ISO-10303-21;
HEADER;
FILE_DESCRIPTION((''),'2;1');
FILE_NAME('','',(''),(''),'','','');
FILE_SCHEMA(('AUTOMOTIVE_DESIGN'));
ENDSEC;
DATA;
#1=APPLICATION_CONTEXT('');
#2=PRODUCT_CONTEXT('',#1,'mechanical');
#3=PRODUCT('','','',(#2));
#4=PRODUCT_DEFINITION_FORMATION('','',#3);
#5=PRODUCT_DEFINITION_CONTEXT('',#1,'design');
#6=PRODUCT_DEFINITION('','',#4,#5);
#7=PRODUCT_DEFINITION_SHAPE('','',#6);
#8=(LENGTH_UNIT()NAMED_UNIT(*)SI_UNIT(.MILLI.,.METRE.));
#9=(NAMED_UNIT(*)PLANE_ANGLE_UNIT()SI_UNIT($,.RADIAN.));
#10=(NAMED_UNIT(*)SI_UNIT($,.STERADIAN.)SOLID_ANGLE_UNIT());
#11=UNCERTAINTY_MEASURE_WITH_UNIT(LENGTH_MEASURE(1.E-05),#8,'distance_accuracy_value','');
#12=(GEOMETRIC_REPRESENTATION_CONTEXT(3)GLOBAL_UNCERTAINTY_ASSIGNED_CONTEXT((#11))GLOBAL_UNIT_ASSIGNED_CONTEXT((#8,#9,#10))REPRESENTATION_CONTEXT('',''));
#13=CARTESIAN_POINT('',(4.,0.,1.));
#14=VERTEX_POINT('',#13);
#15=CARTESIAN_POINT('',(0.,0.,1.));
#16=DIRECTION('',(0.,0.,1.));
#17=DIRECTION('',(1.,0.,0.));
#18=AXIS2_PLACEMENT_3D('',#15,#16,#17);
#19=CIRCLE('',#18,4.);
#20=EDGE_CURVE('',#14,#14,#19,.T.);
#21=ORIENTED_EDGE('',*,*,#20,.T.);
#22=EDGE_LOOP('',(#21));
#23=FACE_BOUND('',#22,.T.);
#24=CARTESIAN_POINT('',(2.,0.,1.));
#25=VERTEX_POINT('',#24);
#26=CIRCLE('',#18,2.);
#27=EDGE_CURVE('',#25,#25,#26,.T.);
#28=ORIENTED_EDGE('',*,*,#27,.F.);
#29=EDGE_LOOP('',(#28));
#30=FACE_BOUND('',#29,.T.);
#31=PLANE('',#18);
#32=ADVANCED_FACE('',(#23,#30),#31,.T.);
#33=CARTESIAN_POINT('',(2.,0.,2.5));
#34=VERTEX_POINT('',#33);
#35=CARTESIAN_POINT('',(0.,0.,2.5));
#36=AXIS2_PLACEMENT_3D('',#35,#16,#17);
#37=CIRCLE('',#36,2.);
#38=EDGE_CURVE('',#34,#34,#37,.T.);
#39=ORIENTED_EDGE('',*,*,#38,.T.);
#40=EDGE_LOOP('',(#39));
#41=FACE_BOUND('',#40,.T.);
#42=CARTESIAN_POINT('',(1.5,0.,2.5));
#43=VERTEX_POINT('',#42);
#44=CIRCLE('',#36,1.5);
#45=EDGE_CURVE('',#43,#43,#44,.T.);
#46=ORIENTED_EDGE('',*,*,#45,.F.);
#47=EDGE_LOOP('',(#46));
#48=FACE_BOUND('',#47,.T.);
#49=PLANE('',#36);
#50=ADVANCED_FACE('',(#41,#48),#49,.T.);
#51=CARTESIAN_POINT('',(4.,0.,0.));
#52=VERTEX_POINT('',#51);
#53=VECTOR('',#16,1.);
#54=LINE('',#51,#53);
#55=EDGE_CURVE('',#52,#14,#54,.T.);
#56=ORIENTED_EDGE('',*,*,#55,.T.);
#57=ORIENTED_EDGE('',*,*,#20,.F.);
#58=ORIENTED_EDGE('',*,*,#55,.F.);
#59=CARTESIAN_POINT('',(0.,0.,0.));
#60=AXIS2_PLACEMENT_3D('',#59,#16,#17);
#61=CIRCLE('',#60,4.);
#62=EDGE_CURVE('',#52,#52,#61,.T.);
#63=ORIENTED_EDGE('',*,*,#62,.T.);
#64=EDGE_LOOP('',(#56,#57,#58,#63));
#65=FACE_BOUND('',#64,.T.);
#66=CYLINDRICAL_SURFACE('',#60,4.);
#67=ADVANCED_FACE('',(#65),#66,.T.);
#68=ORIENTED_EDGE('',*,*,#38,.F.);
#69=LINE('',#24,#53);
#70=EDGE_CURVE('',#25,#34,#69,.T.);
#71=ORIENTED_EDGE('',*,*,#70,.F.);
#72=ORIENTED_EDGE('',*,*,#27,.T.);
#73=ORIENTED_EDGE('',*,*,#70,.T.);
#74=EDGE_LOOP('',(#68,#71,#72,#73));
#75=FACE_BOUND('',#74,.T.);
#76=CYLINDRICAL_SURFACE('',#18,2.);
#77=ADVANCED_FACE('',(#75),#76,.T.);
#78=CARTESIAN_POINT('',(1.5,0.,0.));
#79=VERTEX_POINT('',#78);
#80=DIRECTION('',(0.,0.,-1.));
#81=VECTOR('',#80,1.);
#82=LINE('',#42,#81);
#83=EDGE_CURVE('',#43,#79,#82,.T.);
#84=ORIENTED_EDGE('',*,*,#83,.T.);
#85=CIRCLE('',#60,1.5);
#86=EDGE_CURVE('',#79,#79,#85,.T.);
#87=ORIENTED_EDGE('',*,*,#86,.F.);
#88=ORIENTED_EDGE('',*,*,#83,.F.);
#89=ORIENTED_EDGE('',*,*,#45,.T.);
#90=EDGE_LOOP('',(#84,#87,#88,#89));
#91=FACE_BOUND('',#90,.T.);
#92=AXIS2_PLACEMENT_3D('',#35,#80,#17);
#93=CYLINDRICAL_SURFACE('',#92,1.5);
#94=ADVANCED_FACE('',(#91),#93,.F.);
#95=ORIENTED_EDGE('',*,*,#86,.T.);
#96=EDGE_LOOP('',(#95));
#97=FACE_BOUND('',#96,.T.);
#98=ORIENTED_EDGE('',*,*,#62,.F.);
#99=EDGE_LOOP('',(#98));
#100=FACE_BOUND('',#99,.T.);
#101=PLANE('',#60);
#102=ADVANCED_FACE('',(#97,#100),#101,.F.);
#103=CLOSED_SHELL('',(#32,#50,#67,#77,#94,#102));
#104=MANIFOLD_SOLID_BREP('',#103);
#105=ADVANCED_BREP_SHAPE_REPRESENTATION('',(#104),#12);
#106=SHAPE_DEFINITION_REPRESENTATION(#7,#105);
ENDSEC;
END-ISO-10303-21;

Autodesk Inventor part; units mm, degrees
ref_plane "YZ Plane" through (0, 0, 0) normal (1, 0, 0) x (0, 1, 0)
ref_plane "XZ Plane" through (0, 0, 0) normal (0, 1, 0) x (-1, 0, 0)
ref_plane "XY Plane" through (0, 0, 0) normal (0, 0, 1) x (1, 0, 0)
sketch "Sketch1" plane through (0, 0, 0) normal (0, 1, 0) x (-1, 0, 0)
  line L0 (0, 0) -> (0, 2.5)
  line L1 (-1.5, 2.5) -> (-1.5, 0)
  line L2 (-1.5, 0) -> (-4, 0)
  line L3 (-4, 0) -> (-4, 1)
  line L4 (-4, 1) -> (-2, 1)
  line L5 (-2, 1) -> (-2, 2.5)
  line L6 (-2, 2.5) -> (-1.5, 2.5)
  dimension "d0" = 3
  dimension "d1" = 4
  dimension "d2" = 8
  dimension "d3" = 1
  dimension "d4" = 1.5
revolve "Revolution1" add sketch "Sketch1" angle 360 about axis through (0, 0, 0) along (0, 0, 1)
properties part number "L3040-8115TB" material "Aluminum 2014-T4"
